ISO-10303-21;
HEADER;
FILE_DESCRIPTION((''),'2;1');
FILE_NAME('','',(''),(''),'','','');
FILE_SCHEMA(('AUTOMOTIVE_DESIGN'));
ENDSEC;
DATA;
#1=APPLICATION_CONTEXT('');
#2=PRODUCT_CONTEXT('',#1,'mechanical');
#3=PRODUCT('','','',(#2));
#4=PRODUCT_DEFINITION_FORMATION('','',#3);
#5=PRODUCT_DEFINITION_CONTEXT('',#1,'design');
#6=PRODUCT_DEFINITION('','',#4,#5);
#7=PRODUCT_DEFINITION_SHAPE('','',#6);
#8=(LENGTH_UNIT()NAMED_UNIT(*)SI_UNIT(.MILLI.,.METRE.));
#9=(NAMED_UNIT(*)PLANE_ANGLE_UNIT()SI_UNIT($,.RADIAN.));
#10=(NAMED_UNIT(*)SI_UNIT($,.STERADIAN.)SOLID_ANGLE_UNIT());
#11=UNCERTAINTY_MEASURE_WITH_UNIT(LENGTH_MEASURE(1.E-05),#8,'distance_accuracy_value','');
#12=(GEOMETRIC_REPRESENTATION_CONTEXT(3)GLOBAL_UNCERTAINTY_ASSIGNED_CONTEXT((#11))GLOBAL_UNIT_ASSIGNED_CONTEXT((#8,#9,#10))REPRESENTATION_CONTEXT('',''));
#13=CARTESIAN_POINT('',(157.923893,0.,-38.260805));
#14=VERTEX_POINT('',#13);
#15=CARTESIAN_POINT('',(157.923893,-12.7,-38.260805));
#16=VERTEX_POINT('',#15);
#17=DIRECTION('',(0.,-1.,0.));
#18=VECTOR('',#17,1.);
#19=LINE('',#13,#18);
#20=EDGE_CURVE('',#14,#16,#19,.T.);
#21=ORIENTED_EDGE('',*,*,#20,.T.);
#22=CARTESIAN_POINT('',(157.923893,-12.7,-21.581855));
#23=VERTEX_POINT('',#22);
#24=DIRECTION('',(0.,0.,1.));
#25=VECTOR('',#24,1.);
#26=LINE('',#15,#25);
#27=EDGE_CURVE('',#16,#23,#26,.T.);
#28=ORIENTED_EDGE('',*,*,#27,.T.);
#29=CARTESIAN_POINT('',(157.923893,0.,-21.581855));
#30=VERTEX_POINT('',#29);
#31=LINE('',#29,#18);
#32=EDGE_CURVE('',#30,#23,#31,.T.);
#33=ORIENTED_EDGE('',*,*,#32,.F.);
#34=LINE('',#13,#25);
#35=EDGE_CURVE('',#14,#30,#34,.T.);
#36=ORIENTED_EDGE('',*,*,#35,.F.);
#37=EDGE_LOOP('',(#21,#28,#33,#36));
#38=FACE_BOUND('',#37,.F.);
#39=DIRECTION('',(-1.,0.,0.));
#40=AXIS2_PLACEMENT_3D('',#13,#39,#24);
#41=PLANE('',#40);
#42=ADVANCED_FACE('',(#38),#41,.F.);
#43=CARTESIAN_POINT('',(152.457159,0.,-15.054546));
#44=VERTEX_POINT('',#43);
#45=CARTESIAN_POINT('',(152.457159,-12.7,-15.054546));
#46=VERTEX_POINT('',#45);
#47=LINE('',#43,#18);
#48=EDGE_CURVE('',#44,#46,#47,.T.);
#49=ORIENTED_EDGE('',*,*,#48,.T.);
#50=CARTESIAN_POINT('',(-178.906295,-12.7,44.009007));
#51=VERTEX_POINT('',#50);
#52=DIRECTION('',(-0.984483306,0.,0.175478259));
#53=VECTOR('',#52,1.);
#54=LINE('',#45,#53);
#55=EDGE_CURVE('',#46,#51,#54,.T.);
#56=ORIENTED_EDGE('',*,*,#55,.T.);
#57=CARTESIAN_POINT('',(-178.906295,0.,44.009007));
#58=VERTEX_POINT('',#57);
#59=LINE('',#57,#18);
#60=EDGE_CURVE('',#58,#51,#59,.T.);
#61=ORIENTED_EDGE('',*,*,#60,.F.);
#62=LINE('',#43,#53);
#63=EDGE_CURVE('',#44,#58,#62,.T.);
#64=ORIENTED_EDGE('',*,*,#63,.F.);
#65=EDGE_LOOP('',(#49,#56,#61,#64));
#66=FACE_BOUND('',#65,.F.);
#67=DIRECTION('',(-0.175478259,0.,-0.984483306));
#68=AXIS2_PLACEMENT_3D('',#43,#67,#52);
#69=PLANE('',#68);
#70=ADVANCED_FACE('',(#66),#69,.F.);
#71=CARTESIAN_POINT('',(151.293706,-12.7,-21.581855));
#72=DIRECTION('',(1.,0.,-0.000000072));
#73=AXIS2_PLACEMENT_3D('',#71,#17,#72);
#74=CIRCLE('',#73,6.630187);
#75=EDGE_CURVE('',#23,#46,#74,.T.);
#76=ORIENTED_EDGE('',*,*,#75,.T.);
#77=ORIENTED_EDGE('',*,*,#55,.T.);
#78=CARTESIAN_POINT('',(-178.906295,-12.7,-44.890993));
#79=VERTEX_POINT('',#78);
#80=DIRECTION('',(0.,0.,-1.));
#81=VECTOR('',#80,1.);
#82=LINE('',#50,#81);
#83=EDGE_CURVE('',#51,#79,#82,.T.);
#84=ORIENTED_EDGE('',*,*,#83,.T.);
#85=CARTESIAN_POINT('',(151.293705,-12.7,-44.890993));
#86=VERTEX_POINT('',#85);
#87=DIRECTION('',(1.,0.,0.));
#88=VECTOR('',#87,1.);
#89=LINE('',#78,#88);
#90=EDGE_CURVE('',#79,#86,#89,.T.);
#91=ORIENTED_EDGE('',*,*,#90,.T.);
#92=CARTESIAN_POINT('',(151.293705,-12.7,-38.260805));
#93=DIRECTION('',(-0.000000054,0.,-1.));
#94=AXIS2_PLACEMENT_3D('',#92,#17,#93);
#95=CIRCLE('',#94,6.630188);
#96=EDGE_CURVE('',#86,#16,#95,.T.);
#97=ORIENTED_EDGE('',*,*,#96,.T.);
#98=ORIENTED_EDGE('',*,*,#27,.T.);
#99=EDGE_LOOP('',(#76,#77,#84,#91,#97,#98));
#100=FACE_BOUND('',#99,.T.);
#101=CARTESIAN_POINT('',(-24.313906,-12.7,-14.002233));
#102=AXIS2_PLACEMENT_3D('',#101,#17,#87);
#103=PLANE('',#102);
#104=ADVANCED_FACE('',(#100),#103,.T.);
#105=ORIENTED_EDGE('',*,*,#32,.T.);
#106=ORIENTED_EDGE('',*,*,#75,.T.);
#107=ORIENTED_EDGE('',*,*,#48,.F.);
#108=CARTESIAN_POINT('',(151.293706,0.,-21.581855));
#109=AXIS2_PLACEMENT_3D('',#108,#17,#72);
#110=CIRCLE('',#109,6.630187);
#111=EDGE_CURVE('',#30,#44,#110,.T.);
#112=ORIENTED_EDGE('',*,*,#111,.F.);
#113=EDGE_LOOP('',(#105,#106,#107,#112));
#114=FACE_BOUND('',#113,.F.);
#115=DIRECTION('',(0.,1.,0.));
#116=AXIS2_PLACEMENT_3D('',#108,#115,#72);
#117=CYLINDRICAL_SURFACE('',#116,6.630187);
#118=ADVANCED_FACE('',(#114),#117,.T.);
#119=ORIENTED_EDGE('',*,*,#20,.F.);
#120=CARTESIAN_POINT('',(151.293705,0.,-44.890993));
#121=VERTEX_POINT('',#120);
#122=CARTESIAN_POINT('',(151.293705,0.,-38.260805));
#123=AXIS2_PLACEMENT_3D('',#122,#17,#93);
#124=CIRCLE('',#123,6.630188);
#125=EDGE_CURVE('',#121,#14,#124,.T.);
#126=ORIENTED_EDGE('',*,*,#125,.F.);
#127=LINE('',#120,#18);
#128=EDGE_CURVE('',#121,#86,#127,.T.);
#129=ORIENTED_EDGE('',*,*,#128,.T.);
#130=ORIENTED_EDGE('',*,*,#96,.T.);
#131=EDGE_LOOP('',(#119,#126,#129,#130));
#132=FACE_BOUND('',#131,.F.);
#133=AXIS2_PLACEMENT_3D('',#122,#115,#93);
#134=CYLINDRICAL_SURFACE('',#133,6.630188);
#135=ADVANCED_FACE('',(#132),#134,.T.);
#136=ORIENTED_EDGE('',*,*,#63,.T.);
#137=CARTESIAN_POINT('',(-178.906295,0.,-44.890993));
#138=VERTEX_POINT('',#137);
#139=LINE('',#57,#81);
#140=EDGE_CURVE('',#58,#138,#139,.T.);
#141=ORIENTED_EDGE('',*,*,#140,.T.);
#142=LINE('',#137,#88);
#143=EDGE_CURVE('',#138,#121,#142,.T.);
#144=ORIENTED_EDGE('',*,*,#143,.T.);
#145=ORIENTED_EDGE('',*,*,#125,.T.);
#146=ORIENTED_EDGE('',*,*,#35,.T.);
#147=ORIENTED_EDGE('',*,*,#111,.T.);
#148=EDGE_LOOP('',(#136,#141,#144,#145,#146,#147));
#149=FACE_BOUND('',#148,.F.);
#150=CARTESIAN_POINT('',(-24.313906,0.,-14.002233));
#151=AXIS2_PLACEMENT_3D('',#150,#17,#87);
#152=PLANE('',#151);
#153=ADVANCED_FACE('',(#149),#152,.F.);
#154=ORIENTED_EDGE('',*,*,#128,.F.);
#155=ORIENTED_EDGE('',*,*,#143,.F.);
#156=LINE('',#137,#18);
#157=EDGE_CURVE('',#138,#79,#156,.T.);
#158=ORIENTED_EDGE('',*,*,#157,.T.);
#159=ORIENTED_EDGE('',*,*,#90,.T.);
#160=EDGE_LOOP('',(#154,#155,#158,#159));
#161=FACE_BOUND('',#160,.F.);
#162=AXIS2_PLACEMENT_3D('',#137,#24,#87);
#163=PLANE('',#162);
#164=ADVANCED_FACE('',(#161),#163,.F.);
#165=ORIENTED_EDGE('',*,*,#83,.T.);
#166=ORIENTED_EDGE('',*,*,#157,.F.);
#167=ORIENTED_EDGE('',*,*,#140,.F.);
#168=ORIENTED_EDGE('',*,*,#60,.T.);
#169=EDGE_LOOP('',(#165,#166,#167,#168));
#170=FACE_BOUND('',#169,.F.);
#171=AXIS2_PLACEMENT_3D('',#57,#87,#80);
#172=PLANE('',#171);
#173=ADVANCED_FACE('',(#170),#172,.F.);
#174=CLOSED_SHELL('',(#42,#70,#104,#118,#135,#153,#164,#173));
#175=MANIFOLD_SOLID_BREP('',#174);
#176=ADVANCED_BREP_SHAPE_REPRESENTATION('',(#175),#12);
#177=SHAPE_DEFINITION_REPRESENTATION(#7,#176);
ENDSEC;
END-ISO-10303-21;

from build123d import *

# Parameters (mm, degrees)
F1_DEPTH = 12.7


with BuildPart() as f1:
    # F0 (on Front) → F1 (new body)
    with BuildSketch(Plane.XZ):
        with BuildLine():
            Line((152.457159, -15.054546), (-178.906295, 44.009007))
            Line((-178.906295, 44.009007), (-178.906295, -44.890993))
            Line((-178.906295, -44.890993), (151.293705, -44.890993))
            ThreePointArc((151.293705, -44.890993), (155.981956, -42.949056), (157.923893, -38.260805))
            Line((157.923893, -38.260805), (157.923893, -21.581855))
            ThreePointArc((157.923893, -21.581855), (156.376682, -17.324774), (152.457159, -15.054546))
        make_face()
    extrude(amount=F1_DEPTH)


solid = f1.part
